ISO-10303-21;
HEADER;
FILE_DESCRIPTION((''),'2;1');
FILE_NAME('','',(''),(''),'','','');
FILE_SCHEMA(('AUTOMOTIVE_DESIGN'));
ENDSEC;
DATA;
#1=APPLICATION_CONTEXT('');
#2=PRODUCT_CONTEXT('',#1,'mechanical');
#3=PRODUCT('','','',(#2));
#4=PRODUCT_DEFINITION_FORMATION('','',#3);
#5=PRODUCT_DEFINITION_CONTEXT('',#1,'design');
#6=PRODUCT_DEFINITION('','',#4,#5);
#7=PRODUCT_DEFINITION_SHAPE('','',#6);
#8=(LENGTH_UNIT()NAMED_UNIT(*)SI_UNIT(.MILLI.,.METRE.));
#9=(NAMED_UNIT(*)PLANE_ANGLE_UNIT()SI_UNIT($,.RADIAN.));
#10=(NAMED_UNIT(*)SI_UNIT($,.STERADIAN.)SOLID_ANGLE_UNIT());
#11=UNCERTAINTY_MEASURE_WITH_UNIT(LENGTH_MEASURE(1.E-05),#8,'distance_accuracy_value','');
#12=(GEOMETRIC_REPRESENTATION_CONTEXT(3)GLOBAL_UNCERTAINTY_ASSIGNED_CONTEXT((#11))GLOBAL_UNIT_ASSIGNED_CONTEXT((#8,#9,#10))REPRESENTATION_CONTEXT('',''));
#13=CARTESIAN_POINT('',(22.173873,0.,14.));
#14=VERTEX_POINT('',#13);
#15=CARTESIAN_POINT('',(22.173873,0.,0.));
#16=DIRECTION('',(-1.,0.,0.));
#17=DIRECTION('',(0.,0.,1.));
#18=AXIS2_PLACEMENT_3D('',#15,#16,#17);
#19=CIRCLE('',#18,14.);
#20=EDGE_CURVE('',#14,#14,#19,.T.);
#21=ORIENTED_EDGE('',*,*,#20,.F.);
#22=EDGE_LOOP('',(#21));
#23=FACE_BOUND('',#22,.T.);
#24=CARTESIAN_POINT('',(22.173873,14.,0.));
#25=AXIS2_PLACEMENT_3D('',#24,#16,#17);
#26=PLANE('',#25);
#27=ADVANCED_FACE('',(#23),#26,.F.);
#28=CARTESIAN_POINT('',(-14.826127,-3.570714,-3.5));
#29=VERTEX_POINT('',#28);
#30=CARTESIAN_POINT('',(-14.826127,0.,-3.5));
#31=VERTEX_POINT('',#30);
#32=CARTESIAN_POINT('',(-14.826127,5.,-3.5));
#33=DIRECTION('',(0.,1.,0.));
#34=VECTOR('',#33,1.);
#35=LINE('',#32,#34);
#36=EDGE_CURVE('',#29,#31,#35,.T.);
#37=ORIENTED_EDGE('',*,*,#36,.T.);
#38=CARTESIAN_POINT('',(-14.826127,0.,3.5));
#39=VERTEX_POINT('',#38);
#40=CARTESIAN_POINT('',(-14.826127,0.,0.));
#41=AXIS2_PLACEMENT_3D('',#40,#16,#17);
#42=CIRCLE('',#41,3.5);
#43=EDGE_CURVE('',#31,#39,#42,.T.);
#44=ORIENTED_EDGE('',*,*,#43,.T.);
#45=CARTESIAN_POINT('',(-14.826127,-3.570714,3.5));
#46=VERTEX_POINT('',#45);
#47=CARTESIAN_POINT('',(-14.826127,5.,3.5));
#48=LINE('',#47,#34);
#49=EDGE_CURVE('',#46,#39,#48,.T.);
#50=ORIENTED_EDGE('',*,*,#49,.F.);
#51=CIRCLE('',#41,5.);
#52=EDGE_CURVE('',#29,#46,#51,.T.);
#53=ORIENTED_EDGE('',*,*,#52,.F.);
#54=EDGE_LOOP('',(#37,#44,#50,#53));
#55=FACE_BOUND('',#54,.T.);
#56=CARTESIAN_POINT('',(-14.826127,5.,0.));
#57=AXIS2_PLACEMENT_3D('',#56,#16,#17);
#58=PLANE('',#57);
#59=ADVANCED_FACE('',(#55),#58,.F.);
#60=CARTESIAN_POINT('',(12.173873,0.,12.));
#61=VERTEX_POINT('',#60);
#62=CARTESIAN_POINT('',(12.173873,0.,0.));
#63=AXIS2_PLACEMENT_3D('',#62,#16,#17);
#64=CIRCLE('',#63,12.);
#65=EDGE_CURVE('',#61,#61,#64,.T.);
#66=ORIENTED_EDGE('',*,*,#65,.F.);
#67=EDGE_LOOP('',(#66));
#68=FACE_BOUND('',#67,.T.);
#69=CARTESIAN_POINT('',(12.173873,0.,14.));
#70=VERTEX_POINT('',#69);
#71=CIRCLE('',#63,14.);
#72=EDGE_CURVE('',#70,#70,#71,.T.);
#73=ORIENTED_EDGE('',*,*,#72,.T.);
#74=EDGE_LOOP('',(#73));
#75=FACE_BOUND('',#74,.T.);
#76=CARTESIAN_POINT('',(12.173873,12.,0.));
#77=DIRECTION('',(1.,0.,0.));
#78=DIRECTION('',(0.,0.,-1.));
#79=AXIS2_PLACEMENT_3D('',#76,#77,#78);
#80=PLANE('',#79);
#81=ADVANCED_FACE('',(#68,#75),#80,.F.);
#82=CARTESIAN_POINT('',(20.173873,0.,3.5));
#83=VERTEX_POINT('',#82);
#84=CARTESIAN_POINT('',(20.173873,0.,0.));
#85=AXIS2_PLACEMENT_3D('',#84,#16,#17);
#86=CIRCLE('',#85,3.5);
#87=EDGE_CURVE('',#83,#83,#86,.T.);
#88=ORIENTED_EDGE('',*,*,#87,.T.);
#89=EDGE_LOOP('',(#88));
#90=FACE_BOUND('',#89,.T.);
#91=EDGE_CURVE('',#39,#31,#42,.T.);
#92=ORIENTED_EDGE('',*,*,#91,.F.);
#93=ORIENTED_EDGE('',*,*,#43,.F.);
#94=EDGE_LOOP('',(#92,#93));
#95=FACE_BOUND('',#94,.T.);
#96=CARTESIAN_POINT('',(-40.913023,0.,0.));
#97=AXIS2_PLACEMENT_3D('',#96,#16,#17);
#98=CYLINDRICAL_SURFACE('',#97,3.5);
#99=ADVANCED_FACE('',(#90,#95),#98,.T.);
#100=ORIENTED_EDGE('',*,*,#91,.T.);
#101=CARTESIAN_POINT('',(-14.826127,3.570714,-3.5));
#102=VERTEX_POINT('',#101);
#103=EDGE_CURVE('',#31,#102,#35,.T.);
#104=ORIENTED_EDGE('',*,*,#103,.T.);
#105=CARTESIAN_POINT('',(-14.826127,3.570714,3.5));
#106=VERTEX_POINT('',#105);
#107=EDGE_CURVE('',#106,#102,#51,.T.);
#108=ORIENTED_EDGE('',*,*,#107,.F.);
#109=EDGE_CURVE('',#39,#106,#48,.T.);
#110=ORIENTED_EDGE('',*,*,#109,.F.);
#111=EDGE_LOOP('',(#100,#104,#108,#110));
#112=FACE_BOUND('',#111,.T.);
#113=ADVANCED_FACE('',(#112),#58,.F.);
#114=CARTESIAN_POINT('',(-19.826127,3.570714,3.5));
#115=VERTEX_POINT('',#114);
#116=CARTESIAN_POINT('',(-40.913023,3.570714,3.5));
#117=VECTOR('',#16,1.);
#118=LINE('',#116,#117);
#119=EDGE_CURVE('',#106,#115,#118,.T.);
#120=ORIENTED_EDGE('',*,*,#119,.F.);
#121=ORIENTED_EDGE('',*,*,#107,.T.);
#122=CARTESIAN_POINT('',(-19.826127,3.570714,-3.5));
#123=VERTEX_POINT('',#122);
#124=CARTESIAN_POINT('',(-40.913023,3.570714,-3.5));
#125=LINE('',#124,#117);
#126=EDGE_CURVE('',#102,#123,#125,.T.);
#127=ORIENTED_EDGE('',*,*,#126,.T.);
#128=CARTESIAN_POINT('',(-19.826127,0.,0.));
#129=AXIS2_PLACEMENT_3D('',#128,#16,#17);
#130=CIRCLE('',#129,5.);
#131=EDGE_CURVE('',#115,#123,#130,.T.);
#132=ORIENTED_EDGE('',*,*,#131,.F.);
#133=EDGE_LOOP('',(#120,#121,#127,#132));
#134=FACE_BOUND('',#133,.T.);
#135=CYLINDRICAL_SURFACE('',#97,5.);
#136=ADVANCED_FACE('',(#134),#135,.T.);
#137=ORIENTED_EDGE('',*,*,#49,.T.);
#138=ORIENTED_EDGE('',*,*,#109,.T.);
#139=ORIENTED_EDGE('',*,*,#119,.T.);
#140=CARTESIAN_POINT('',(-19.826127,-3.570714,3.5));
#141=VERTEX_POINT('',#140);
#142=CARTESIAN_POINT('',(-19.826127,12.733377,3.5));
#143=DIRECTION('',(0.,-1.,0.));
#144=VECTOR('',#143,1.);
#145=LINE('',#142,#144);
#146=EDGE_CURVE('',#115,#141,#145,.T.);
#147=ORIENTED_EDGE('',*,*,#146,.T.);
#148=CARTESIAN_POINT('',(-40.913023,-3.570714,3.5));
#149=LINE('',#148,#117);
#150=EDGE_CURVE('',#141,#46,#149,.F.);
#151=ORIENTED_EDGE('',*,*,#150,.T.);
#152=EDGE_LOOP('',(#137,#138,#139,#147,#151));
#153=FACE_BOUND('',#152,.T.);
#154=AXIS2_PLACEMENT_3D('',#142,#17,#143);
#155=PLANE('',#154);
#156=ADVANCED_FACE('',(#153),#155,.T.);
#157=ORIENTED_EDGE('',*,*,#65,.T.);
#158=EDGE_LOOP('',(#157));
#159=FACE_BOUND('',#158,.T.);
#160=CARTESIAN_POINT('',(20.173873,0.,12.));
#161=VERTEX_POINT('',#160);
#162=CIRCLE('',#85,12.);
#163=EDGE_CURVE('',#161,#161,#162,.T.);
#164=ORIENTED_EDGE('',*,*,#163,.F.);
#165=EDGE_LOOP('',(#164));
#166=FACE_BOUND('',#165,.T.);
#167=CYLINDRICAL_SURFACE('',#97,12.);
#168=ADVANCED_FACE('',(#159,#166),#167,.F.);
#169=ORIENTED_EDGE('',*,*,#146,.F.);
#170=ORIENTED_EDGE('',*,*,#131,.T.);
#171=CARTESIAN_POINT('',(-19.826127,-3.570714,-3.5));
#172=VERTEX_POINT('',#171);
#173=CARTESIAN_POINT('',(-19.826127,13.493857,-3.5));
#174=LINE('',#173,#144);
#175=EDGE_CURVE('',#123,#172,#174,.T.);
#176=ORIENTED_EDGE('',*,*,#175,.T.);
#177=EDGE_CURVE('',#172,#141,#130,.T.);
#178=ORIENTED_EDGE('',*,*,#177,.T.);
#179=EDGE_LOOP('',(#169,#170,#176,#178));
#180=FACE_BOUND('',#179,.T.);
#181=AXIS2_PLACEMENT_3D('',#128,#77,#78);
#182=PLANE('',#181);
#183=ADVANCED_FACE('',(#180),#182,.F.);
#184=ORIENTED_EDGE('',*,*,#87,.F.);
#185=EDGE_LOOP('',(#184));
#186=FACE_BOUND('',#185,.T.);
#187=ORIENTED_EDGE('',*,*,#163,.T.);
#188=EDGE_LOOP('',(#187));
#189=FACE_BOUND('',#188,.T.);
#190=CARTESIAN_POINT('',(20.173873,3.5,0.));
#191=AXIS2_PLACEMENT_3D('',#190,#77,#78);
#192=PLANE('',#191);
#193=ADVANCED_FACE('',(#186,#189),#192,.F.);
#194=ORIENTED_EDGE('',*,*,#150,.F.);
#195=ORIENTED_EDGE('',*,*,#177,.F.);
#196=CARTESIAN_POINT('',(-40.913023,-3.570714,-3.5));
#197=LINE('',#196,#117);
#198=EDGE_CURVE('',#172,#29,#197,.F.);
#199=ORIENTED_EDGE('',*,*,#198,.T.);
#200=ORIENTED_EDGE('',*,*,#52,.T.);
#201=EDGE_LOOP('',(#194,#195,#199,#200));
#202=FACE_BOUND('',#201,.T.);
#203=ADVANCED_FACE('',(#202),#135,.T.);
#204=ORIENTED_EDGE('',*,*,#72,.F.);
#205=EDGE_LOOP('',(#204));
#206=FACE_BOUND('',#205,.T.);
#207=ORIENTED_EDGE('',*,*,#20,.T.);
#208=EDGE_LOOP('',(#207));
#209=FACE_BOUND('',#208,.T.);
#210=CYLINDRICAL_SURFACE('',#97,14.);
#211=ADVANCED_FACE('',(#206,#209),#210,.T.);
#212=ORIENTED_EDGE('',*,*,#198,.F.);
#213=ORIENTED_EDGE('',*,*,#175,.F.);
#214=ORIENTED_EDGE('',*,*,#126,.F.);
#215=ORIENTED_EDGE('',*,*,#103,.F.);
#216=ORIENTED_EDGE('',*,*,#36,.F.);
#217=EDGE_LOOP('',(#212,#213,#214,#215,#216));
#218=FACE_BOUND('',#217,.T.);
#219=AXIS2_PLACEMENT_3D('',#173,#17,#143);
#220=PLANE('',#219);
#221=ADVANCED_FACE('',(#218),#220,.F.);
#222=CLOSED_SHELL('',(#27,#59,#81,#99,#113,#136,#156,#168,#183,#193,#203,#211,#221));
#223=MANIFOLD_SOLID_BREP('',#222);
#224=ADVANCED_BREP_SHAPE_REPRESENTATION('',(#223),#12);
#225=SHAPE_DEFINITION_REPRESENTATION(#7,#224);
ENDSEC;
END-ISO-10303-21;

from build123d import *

# Parameters (mm, degrees)
SKETCH_7_W          = 14.843895196
SKETCH_7_H          = 27.429724107
CUT_EXTRUDE_1_DEPTH = 38.629775444
SKETCH_8_W          = 13.403160643
SKETCH_8_H          = 27.85274745
CUT_EXTRUDE_2_DEPTH = 38.629775444


with BuildPart() as part:
    # 草图1 → 旋转1 (revolve)
    with BuildSketch(Plane.XY, mode=Mode.PRIVATE) as revolve_1_sk:
        Polygon((-19.826126691, 0), (22.173873309, 0), (22.173873309, 14), (12.173873309, 14), (12.173873309, 12), (20.173873309, 12), (20.173873309, 3.5), (-14.826126691, 3.5), (-14.826126691, 5), (-19.826126691, 5), align=None)
    revolve(revolve_1_sk.sketch.rotate(Axis((-40.913023243, 0, 0), (1, 0, 0)), 90), axis=Axis((-40.913023243, 0, 0), (1, 0, 0)))

    # 草图7 → 切除-拉伸1 (cut, through all)
    with BuildSketch(Plane.ZY.offset(-12.173873309)):
        with Locations((10.921947598, -0.981485251)):
            Rectangle(SKETCH_7_W, SKETCH_7_H)
    extrude(amount=CUT_EXTRUDE_1_DEPTH, mode=Mode.SUBTRACT)

    # 草图8 → 切除-拉伸2 (cut, through all)
    with BuildSketch(Plane.ZY.offset(-12.173873309)):
        with Locations((-10.201580321, -0.432516877)):
            Rectangle(SKETCH_8_W, SKETCH_8_H)
    extrude(amount=CUT_EXTRUDE_2_DEPTH, mode=Mode.SUBTRACT)


solid = part.part
